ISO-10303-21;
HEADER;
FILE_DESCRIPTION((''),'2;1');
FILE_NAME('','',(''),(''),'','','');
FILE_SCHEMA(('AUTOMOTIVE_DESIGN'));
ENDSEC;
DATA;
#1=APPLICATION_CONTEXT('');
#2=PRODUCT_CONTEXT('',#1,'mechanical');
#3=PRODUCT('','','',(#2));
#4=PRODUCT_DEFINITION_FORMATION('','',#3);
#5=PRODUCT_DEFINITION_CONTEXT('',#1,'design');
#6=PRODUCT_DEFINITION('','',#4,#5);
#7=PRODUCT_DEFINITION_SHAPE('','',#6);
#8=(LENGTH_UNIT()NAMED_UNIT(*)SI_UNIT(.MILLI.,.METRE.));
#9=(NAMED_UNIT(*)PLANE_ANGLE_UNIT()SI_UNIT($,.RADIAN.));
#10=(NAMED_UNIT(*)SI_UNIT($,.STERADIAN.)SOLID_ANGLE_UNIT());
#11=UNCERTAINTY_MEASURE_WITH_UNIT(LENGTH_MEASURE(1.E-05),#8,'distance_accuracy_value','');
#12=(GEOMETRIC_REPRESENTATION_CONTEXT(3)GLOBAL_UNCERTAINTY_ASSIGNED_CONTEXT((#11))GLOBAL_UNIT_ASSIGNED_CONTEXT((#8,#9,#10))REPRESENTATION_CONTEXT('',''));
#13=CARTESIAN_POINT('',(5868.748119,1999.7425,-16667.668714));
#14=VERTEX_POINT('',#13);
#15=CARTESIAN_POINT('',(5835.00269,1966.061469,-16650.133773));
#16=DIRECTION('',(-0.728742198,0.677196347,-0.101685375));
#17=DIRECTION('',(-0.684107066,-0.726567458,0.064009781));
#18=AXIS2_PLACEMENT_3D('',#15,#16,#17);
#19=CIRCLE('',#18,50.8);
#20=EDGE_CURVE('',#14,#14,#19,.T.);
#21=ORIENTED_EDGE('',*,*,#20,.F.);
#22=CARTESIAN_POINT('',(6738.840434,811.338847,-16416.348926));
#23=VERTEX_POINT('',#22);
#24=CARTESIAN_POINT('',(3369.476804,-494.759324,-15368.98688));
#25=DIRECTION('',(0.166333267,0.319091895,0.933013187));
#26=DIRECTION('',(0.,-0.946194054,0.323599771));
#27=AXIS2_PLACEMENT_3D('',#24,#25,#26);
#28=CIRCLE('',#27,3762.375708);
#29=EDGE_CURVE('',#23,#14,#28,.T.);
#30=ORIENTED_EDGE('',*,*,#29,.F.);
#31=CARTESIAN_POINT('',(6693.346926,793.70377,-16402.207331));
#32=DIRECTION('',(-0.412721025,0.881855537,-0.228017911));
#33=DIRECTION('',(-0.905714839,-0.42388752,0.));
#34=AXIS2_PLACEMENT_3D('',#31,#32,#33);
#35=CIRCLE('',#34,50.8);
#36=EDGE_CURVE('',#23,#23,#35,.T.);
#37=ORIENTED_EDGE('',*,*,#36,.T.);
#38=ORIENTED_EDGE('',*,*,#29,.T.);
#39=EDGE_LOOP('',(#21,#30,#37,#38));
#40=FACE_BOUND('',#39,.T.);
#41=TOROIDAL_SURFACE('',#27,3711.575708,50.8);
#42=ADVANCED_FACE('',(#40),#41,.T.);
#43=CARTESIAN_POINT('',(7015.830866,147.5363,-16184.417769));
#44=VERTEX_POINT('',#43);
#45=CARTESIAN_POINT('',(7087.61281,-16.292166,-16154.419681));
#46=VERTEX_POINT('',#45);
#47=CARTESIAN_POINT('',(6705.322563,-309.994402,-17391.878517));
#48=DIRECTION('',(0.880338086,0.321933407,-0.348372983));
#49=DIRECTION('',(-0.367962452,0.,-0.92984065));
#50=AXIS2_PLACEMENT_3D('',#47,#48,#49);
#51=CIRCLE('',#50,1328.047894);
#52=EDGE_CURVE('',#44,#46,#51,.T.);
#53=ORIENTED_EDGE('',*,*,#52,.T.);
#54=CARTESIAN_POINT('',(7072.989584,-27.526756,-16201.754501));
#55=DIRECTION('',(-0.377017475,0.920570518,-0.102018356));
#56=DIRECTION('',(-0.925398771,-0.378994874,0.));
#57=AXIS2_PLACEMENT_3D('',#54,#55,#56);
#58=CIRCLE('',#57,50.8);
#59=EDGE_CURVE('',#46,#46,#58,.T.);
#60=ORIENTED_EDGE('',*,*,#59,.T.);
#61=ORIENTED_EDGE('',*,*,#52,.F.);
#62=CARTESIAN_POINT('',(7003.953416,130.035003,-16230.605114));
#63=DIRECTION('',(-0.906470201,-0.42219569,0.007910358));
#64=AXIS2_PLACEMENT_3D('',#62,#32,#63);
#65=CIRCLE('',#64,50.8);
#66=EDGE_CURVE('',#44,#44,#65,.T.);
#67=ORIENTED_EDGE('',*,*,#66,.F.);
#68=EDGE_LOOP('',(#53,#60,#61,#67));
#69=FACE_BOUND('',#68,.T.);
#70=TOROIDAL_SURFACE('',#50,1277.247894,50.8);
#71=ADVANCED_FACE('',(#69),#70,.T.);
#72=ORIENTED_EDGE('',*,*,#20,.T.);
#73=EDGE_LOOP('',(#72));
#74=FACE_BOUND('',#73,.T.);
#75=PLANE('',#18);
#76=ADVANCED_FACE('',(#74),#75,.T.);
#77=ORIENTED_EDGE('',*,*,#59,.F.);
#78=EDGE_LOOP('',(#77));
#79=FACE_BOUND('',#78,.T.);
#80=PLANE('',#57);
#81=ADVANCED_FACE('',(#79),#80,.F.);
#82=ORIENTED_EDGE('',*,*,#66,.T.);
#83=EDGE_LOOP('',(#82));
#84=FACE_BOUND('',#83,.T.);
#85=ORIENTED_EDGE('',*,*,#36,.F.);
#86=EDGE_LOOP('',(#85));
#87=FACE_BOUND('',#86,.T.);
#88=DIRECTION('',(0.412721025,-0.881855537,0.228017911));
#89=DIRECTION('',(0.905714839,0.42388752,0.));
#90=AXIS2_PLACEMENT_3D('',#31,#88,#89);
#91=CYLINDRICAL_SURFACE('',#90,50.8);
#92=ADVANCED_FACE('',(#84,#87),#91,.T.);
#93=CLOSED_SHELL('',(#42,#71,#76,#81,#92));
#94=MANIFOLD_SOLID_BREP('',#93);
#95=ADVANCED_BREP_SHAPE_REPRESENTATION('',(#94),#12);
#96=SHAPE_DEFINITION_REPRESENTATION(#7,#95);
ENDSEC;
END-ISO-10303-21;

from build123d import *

# Parameters (mm, degrees)
SKETCH5_R = 50.8
SKETCH6_R = 50.8


with BuildPart() as part:
    # Sweep1: sweep along a path in Sketch3
    with BuildLine(Plane(origin=(10442.58259485, 3818.778538543, -4132.405152794), x_dir=(0.32718199478705784, 0.11964813958057499, 0.9373559969307654), z_dir=(-0.8803380864870314, -0.3219334068754298, 0.3483729826176695))) as sweep1_path:
        ThreePointArc((-12875.950426723, -2455.059223009), (-12888.405580863, -2368.689263182), (-12906.729140686, -2283.371340208))
    # Sketch5 → Sweep1 (sweep)
    with BuildSketch(Plane(origin=(391.760604273, -956.569089723, 106.007746304), x_dir=(-0.9262061454455515, -0.3747234604681671, 0.04152715152350278), z_dir=(-0.3770174745802825, 0.9205705181560061, -0.10201835601051586))):
        with Locations((-7213.54421214, -16106.204697762)):
            Circle(SKETCH5_R)
    sweep(path=sweep1_path.line)

    # Sweep2: sweep along a path in Sketch4
    with BuildLine(Plane(origin=(-2318.167615402, -4447.147056092, -13003.297522566), x_dir=(-0.9860695940920446, 0.05382576017155449, 0.15738342717422527), z_dir=(-0.1663332666877403, -0.31909189498036233, -0.9330131869115391))) as sweep2_path:
        Line((-9453.814527185, 5375.261975522), (-9138.819780398, 6058.751737353))
        ThreePointArc((-9138.819780398, 6058.751737353), (-8763.227306898, 6697.151127519), (-8268.34909733, 7248.258236172))
    # Sketch6 → Sweep2 (sweep)
    with BuildSketch(Plane(origin=(-381.709964746, 815.594616428, -210.885086179), x_dir=(-0.9108574837603319, -0.3995797633708689, 0.10331823160641518), z_dir=(-0.412721024758404, 0.8818555368427983, -0.22801791127469145))):
        with Locations((-8108.480159155, -15681.262539265)):
            Circle(SKETCH6_R)
    sweep(path=sweep2_path.line)


solid = part.part
